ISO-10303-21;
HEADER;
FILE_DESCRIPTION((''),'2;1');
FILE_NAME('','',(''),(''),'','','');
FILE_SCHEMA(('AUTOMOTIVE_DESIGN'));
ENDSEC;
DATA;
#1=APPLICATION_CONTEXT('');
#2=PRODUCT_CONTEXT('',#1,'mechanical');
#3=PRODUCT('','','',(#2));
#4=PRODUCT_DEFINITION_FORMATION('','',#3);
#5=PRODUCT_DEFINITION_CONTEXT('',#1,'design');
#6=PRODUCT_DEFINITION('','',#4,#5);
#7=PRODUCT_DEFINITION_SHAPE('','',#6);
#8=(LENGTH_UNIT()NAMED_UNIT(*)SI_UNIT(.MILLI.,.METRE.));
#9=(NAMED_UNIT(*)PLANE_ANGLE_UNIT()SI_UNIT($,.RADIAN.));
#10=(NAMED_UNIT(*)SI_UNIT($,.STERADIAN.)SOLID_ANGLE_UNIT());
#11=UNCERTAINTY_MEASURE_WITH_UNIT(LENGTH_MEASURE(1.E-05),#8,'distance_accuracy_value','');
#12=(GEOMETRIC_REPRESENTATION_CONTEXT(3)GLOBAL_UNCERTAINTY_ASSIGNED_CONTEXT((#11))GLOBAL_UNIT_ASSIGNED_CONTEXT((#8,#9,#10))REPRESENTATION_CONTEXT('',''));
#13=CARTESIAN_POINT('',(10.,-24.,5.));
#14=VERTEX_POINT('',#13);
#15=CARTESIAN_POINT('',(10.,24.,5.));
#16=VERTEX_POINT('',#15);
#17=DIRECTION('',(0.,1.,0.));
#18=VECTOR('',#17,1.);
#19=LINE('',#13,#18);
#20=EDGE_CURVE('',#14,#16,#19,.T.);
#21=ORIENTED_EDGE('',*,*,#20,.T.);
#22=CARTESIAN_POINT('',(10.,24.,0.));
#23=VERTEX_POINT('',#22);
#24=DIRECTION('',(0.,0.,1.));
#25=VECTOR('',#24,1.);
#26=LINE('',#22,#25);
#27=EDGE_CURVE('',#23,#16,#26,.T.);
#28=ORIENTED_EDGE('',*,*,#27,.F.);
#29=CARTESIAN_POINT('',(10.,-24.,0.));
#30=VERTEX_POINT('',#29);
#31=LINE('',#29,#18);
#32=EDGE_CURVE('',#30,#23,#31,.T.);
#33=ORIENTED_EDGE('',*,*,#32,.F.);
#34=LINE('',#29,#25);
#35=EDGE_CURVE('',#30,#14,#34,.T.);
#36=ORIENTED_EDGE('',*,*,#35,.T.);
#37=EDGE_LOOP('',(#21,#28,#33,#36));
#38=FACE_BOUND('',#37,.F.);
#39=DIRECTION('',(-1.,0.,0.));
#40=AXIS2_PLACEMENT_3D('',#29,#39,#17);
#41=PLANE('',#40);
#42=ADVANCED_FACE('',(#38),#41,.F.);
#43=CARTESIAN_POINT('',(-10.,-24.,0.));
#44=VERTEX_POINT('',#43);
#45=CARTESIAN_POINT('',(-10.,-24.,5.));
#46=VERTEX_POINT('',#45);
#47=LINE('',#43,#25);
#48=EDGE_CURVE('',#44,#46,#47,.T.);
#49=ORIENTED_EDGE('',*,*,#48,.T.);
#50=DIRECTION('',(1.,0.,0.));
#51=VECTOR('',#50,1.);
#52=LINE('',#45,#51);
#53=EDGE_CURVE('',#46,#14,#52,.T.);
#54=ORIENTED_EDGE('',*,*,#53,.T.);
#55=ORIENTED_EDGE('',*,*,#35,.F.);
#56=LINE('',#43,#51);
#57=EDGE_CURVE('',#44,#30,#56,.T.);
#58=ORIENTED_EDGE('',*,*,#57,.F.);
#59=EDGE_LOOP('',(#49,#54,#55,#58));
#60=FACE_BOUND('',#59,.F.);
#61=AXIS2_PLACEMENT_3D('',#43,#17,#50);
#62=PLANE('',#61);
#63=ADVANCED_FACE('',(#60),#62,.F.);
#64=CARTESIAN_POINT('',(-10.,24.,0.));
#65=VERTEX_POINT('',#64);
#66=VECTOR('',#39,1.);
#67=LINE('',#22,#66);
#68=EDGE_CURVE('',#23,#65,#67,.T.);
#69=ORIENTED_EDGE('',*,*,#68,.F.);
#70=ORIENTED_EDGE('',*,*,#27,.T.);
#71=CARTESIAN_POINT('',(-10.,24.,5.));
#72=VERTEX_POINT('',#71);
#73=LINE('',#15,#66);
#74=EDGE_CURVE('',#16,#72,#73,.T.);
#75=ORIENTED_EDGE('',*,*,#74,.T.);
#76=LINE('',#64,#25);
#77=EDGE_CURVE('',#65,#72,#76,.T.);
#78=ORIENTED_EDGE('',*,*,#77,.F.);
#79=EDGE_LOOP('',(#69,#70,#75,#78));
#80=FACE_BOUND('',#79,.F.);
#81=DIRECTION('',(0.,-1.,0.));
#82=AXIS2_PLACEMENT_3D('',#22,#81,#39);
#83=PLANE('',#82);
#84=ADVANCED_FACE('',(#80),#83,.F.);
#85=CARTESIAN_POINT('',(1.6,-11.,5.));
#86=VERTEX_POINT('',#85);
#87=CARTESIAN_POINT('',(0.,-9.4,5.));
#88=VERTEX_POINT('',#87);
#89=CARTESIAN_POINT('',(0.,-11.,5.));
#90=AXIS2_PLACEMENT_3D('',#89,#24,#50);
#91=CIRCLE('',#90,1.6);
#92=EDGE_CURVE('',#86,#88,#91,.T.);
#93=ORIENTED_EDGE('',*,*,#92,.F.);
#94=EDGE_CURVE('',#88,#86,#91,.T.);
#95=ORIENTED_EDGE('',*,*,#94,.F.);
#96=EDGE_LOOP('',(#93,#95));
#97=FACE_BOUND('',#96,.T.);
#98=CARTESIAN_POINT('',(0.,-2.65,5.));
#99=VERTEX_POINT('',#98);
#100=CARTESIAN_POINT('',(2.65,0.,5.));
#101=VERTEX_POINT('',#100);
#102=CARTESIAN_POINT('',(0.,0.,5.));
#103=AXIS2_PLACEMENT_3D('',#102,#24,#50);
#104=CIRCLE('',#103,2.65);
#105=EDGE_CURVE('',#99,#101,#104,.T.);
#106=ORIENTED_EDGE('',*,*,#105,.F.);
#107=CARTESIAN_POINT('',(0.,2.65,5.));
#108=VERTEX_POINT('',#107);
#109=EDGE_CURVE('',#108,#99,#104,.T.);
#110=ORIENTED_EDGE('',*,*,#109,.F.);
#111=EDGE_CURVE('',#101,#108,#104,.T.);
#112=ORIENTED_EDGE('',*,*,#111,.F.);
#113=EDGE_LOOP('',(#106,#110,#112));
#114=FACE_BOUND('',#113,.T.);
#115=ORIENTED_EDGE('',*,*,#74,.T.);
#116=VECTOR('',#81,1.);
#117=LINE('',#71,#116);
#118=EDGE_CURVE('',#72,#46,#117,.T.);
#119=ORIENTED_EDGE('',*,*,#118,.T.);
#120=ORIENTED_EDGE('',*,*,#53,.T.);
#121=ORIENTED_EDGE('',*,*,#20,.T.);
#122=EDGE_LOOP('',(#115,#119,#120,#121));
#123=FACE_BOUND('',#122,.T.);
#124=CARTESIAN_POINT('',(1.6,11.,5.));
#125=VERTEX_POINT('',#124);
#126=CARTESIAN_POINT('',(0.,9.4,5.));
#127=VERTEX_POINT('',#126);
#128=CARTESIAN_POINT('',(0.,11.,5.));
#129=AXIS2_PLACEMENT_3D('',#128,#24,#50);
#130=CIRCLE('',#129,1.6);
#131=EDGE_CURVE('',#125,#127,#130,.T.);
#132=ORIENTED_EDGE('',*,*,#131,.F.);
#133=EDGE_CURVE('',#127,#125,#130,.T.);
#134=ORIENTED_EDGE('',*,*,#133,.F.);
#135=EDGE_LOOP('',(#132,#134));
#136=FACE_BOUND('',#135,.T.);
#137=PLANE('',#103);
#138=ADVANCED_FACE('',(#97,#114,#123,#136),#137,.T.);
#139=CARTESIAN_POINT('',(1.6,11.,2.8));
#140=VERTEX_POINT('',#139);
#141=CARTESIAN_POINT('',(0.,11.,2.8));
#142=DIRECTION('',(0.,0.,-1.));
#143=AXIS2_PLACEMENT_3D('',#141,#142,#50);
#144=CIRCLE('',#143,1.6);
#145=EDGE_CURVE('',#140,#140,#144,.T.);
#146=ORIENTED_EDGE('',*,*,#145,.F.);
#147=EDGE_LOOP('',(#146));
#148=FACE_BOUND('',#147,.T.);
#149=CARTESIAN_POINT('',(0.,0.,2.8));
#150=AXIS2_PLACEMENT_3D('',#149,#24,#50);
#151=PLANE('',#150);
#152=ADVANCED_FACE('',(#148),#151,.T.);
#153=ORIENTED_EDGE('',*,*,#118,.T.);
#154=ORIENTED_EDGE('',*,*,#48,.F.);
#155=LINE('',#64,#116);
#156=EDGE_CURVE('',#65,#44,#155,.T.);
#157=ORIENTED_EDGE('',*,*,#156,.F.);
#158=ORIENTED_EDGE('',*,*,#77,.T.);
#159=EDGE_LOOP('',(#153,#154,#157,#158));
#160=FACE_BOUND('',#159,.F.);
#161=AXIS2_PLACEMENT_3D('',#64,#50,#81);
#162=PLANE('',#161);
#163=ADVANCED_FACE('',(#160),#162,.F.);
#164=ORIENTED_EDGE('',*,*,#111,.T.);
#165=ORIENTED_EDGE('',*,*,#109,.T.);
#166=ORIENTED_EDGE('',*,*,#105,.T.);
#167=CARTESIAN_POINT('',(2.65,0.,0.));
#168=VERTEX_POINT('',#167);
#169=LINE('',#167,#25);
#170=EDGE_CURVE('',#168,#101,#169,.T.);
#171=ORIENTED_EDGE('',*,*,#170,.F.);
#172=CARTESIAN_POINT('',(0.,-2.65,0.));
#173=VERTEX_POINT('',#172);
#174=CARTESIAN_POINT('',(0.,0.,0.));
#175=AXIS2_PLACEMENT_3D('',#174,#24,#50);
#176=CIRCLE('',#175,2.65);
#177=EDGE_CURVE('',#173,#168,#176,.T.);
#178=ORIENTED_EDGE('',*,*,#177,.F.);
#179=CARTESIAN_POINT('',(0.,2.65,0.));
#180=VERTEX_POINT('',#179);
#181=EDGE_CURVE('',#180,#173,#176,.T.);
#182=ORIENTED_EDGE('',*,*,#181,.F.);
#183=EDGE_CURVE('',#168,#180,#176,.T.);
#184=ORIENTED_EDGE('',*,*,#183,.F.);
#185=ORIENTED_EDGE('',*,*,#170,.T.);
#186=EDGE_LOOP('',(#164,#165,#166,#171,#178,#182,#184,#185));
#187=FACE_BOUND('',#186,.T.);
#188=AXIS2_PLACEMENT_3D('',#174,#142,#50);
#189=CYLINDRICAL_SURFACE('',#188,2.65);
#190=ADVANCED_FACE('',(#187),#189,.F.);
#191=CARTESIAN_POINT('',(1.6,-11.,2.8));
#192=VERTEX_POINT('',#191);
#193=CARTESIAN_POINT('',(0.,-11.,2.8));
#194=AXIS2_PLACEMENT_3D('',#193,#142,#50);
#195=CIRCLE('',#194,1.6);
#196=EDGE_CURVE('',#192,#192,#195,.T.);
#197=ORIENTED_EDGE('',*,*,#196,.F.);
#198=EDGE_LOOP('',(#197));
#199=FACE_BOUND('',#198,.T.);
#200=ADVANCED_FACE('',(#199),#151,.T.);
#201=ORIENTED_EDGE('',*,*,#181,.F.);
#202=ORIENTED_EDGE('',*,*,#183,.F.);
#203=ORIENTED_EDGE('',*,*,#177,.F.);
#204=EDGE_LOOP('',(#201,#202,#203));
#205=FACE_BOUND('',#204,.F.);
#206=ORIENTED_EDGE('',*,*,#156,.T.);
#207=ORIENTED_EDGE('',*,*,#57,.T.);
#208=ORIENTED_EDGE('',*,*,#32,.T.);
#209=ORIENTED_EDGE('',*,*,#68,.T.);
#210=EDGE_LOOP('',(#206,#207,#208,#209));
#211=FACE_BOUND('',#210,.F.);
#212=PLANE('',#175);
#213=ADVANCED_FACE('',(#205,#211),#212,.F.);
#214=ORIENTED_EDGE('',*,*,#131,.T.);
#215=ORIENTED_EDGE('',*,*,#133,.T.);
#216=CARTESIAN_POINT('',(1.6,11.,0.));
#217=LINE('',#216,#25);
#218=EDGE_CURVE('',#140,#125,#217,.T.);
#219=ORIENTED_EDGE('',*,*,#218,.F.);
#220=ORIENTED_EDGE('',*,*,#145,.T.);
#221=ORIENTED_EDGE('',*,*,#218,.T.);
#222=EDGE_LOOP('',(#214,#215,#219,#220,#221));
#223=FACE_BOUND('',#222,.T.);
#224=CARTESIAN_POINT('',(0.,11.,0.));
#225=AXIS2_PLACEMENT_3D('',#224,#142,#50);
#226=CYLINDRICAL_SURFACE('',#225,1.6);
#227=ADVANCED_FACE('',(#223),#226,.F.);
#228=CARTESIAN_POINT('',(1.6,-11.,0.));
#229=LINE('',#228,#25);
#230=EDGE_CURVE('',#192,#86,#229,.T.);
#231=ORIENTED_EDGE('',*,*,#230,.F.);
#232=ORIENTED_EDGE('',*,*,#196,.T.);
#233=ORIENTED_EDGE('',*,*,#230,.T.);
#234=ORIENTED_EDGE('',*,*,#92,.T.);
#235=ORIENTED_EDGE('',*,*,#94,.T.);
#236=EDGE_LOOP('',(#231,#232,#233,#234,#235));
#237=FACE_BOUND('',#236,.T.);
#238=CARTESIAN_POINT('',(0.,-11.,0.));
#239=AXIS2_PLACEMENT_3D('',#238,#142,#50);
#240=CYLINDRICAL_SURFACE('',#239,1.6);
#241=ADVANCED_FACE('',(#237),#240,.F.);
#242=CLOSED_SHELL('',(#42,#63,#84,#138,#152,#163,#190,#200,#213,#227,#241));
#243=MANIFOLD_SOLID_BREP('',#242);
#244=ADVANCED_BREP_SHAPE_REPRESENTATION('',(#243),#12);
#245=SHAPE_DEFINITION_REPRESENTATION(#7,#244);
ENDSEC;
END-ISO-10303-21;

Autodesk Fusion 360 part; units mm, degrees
sketch "스케치1" plane through (0, 0, 0) normal (0, 0, 1) x (1, 0, 0)
  line L0 (10, 24) -> (-10, 24)
  line L1 (-10, 24) -> (-10, -24)
  line L2 (-10, -24) -> (10, -24)
  line L3 (10, -24) -> (10, 24)
  line L4 (10, 24) -> (-10, -24) construction
  line L5 (-10, 24) -> (10, -24) construction
  line L6 (0, 0) -> (0, 11)
  circle A0 centre (0, 11) radius 1.6
  line L7 (0, 0) -> (0, -11)
  circle A1 centre (0, -11) radius 1.6
  circle A2 centre (0, 0) radius 2.65
  dimension "d1" = 20
  dimension "d2" = 48
  dimension "d3" = 11
  dimension "d4" = 3.2
  dimension "d5" = 11
  dimension "d6" = 3.2
  dimension "d7" = 5.3
extrude "돌출1" add sketch "스케치1" along normal blind 5
extrude "돌출2" add sketch "스케치1" along normal blind 2.8 contours A0 | A1
